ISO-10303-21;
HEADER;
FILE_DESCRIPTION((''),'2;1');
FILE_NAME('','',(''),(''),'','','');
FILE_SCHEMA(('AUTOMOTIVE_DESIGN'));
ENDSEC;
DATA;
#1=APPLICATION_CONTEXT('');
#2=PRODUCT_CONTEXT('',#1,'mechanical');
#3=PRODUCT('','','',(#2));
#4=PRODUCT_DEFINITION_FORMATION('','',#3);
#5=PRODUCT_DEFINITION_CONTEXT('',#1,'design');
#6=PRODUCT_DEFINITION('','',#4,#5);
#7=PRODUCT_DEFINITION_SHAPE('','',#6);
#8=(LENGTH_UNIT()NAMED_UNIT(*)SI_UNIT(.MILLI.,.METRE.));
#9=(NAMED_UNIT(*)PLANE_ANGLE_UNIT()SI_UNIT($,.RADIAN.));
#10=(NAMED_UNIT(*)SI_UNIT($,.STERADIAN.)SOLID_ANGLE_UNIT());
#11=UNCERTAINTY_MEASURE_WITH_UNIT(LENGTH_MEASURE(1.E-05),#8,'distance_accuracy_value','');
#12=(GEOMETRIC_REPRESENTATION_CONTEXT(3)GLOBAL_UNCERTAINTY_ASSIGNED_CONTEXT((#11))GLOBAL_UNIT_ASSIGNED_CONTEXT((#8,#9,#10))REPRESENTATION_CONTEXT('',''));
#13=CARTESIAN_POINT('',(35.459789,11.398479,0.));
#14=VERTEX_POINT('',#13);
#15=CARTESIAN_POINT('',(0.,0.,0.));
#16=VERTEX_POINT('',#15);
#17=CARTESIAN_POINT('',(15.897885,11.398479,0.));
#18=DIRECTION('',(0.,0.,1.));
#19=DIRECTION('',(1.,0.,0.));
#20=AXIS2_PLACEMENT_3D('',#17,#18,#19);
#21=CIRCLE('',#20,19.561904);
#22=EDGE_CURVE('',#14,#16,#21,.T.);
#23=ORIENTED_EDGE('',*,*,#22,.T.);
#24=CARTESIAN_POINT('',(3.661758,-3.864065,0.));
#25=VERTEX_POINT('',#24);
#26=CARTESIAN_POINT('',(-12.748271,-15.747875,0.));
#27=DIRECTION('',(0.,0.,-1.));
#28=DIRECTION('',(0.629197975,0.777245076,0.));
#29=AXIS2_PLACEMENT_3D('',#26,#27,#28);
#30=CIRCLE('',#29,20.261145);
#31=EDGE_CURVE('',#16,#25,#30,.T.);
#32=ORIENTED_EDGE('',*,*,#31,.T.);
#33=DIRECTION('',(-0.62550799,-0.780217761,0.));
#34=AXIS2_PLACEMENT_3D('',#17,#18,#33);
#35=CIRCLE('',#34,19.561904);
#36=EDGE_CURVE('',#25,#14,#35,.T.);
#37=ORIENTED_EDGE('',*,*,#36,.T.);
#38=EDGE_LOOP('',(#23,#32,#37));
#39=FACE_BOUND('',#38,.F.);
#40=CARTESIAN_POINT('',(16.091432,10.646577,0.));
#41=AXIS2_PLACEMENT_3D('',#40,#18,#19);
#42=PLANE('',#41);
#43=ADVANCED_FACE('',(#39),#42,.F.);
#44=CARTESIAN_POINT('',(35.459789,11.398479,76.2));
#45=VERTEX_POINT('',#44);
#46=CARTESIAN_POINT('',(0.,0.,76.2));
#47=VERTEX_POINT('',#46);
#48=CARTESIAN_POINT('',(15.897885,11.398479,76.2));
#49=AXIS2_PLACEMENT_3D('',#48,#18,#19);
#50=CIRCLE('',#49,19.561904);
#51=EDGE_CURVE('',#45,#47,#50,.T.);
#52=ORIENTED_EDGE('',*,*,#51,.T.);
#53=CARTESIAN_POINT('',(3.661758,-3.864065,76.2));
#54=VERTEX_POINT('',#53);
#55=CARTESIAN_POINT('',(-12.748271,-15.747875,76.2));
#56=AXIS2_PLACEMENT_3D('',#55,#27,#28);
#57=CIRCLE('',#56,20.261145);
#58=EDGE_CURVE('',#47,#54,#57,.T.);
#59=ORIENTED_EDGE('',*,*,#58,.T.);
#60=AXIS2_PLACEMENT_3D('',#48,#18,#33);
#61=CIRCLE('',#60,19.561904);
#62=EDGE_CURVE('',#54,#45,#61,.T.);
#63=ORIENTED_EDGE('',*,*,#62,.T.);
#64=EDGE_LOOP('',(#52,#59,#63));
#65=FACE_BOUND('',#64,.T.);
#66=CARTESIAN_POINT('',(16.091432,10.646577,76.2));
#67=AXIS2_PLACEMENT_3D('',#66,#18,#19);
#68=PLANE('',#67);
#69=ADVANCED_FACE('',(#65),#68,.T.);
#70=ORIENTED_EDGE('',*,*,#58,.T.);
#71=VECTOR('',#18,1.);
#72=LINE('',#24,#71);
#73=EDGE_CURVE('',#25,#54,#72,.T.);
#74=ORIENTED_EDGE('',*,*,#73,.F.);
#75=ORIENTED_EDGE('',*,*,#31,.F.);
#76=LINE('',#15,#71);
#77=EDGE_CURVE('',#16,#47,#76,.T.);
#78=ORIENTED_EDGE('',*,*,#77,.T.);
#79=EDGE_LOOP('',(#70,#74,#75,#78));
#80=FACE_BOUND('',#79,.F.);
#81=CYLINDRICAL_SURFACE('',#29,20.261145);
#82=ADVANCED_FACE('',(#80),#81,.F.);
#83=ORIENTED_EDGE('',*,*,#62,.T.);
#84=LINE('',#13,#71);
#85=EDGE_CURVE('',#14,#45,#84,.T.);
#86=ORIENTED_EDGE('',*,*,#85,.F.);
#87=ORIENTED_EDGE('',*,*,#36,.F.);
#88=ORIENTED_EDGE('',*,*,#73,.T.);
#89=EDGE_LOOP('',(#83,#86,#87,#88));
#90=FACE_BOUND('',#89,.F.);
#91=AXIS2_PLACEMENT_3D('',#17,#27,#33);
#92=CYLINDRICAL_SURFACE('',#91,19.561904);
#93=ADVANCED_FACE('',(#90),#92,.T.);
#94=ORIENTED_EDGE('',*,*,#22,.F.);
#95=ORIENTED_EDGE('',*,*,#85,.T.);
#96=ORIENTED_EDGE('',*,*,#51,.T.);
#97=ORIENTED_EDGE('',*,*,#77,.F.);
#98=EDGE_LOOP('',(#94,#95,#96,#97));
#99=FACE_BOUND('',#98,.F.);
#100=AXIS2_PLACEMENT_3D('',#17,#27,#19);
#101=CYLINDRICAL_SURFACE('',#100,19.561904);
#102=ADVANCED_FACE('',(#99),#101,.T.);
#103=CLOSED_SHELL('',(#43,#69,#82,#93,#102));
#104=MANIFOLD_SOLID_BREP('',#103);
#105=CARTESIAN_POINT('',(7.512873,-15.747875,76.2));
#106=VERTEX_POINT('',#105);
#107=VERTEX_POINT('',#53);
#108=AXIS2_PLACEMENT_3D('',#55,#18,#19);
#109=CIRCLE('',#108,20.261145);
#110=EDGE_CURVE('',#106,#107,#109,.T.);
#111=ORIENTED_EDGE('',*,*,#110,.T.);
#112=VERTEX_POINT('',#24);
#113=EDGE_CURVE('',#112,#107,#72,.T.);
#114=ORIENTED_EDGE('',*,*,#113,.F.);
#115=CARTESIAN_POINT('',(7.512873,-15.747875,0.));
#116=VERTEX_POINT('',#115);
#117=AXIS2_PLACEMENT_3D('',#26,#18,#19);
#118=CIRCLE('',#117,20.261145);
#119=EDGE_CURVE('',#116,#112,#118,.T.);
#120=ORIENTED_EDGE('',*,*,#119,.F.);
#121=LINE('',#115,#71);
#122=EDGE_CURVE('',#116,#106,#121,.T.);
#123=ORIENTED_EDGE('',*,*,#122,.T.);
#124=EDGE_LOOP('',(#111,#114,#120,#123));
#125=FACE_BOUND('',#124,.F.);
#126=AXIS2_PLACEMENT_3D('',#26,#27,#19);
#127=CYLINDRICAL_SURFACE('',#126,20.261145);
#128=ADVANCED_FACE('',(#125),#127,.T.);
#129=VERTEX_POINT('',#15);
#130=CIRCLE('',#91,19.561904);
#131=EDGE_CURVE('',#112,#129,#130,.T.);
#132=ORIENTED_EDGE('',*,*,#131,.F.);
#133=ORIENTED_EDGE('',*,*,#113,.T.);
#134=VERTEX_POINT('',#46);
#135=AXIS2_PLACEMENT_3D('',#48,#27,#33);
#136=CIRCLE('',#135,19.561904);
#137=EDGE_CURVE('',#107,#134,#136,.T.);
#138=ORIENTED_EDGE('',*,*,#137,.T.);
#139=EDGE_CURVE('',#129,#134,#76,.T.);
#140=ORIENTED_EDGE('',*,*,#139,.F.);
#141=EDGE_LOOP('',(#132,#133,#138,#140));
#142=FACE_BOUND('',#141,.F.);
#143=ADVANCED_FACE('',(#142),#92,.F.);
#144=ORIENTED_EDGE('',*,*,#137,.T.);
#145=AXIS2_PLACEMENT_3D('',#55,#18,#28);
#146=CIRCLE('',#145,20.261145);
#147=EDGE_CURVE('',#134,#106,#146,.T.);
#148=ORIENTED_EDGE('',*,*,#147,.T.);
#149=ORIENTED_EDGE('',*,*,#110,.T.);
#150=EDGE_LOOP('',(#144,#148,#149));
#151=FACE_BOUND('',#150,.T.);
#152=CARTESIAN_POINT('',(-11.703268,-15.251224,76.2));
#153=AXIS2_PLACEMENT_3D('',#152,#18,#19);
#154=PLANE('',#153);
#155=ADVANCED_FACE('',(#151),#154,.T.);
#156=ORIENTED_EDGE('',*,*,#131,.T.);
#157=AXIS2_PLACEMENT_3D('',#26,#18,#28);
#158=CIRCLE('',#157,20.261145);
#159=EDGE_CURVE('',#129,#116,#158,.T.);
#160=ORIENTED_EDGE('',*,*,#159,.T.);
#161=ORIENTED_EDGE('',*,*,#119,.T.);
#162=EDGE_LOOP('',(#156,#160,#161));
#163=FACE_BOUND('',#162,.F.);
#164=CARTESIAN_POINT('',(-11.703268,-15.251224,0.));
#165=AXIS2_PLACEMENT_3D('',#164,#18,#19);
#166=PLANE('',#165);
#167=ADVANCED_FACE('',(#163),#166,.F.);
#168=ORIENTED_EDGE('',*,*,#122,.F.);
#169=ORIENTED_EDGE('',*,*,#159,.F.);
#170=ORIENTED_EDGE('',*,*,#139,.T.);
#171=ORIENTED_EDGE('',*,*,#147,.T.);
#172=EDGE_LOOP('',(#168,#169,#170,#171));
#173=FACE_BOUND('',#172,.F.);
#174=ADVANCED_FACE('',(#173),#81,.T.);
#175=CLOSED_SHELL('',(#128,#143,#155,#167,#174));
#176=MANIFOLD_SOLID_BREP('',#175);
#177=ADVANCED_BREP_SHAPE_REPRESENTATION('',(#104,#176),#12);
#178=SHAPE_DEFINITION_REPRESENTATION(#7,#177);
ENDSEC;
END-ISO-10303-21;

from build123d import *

# Parameters (mm, degrees)
F1_DEPTH = 76.2


with BuildPart() as f1:
    # F0 (on Top) → F1 (new body)
    with BuildSketch(Plane.XY):
        with BuildLine():
            ThreePointArc((3.6617578733, -3.8640653823), (1.6988213015, -2.0571762997), (0, 0))
            ThreePointArc((0, 0), (-31.0349952885, -24.4719628131), (7.5128734967, -15.7478749752))
            ThreePointArc((7.5128734967, -15.7478749752), (6.526063522, -9.5017557404), (3.6617578733, -3.8640653823))
        make_face()
    extrude(amount=F1_DEPTH)


with BuildPart() as f1b:
    # F0 (on Top) → F1, piece 2 (new body)
    with BuildSketch(Plane.XY):
        with BuildLine():
            ThreePointArc((3.6617578733, -3.8640653823), (24.3626985318, -6.2371382809), (35.4597886985, 11.3984793425))
            ThreePointArc((35.4597886985, 11.3984793425), (9.9114343292, 30.0218648152), (0, 0))
            ThreePointArc((0, 0), (1.9583385052, -1.8112464124), (3.6617578733, -3.8640653823))
        make_face()
    extrude(amount=F1_DEPTH)


solid = Compound([f1.part, f1b.part])
